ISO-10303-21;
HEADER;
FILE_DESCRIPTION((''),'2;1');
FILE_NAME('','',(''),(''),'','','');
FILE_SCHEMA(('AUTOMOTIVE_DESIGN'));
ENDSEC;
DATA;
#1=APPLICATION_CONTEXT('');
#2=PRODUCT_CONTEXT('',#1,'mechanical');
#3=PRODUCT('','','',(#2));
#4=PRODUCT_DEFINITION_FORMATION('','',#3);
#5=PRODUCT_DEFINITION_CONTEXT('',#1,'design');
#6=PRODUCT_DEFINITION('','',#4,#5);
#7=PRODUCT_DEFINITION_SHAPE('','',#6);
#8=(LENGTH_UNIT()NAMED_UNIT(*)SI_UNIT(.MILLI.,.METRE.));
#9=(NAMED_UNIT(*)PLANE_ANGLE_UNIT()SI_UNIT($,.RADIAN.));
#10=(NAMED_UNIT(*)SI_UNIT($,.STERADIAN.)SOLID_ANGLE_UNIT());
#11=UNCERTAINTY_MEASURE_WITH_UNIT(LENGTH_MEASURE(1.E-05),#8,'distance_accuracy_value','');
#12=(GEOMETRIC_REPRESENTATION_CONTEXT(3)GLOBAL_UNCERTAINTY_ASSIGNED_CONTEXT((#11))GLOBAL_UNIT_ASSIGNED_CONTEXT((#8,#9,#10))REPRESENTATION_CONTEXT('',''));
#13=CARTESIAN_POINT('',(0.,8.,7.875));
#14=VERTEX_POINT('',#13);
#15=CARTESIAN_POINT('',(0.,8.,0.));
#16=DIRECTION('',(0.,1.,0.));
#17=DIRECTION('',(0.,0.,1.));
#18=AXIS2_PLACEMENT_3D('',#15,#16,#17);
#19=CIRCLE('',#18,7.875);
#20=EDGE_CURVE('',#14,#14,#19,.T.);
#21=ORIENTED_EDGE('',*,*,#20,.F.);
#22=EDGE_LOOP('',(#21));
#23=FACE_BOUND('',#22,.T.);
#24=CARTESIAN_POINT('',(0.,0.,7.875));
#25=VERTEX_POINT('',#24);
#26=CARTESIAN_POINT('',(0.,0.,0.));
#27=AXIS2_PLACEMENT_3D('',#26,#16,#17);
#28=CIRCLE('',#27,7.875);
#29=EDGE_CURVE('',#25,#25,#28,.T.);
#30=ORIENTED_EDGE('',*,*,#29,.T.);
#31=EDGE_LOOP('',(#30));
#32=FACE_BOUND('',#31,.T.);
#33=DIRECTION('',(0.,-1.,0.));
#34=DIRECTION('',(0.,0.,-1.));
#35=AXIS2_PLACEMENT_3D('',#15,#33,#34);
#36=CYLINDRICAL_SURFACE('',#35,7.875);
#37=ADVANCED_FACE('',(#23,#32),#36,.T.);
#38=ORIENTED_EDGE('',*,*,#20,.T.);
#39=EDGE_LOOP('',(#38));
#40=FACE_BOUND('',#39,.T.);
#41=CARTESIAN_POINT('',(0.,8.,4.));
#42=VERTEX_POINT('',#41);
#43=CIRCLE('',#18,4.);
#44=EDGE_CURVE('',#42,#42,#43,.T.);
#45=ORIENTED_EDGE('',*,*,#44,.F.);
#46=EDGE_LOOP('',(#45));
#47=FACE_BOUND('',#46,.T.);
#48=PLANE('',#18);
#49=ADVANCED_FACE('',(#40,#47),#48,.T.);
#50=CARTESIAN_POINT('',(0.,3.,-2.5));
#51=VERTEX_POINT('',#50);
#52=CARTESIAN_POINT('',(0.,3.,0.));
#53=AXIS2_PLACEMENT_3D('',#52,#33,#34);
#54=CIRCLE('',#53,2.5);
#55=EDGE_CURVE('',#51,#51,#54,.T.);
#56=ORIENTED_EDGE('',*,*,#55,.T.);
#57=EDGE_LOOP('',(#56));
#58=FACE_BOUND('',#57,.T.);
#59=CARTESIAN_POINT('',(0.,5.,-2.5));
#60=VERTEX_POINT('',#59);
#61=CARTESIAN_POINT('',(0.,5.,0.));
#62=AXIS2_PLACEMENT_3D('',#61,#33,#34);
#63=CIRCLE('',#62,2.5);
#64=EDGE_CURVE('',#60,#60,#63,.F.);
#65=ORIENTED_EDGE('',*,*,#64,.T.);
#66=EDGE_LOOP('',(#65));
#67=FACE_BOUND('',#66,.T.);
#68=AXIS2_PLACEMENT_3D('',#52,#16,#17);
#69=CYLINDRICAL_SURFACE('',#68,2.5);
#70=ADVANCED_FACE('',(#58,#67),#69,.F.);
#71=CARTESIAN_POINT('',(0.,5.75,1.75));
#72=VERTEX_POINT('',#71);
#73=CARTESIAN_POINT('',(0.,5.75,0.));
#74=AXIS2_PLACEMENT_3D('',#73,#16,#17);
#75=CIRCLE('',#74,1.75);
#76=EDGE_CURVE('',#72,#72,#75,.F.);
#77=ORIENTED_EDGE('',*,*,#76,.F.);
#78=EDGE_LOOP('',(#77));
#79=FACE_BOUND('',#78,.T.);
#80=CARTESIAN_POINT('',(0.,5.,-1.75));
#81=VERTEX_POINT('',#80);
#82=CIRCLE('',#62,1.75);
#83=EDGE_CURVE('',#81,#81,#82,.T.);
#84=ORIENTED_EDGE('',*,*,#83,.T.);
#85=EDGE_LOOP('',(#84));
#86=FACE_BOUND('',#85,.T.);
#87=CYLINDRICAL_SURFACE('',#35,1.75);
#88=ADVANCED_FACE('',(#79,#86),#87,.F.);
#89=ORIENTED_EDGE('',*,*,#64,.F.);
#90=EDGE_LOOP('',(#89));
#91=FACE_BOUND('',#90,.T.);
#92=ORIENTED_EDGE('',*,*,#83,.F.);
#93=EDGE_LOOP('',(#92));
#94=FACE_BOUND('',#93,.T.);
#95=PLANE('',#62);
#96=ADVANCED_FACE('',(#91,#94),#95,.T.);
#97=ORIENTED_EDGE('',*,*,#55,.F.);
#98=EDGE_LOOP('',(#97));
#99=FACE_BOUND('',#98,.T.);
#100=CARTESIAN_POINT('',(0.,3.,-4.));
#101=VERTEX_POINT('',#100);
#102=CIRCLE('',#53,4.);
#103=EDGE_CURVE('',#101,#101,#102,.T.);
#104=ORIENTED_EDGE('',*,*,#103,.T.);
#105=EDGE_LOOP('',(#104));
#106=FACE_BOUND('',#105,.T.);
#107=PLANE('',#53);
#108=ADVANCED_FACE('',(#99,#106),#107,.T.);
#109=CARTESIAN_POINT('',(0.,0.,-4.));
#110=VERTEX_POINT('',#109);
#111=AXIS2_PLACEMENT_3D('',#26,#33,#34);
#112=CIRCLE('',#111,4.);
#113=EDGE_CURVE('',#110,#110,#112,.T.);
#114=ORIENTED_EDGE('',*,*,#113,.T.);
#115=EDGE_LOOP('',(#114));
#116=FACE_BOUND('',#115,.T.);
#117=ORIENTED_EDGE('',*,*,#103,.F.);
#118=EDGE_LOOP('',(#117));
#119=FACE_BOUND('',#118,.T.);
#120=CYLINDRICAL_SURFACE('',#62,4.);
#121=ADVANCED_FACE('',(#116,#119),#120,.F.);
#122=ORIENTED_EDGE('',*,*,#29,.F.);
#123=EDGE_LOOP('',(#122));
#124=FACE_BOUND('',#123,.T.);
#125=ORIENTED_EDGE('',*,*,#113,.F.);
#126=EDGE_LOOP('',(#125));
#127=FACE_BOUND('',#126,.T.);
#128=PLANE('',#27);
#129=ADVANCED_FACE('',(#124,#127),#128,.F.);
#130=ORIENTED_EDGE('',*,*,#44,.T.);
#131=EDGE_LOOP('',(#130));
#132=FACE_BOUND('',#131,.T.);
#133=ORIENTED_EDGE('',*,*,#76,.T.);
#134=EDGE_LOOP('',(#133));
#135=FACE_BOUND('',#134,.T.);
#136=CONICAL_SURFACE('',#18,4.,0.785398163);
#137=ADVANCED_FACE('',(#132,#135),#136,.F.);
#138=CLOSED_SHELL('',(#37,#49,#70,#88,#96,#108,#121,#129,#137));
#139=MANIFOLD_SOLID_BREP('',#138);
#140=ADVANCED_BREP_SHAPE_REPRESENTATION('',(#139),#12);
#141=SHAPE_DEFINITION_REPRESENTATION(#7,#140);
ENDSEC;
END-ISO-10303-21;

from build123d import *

# Parameters (mm, degrees)
SKETCH1_R           = 7.875
SKETCH1_R_2         = 1.75
BOSS_EXTRUDE1_DEPTH = 8
SKETCH2_R           = 4
CUT_EXTRUDE1_DEPTH  = 3
CUT_EXTRUDE1_DRAFT  = -45
SKETCH3_R           = 4
CUT_EXTRUDE2_DEPTH  = 5
BOSS_EXTRUDE2_START = 2
SKETCH4_R           = 4
SKETCH4_R_2         = 2.5
BOSS_EXTRUDE2_DEPTH = 2


with BuildPart() as part:
    # Sketch1 → Boss-Extrude1 (new body)
    with BuildSketch(Plane(origin=(0, 0, 0), x_dir=(1, 0, 0), z_dir=(0, 1, 0))):
        with Locations(Location((0, 0, 0), (0, 0, 270))):
            Circle(SKETCH1_R)
        with Locations(Location((0, 0, 0), (0, 0, 270))):
            Circle(SKETCH1_R_2, mode=Mode.SUBTRACT)
    extrude(amount=BOSS_EXTRUDE1_DEPTH)


with BuildPart() as cut_extrude1_tool:
    # Sketch2 → Cut-Extrude1 (with draft: the straight prism first)
    with BuildSketch(Plane(origin=(0, 8, 0), x_dir=(1, 0, 0), z_dir=(0, 1, 0))):
        Circle(SKETCH2_R)
    extrude(amount=-CUT_EXTRUDE1_DEPTH)
    # Cut-Extrude1: the draft: its side faces are tilted about the plane it starts from
    cut_extrude1_sides = [cut_extrude1_tool.faces().sort_by_distance(p)[0] for p in [
        (-4, 6.5, 0),
    ]]
    draft(cut_extrude1_sides, Plane(origin=(0, 8, 0), x_dir=(1, 0, 0), z_dir=(0, 1, 0)), CUT_EXTRUDE1_DRAFT)


with BuildPart() as part_1:
    add(part.part)

    # Cut-Extrude1: cut by cut_extrude1_tool
    add(cut_extrude1_tool.part, mode=Mode.SUBTRACT)

    # Sketch3 → Cut-Extrude2 (cut)
    with BuildSketch(Plane(origin=(0, 0, 0), x_dir=(-1, 0, 0), z_dir=(0, -1, 0))):
        with Locations(Location((0, 0, 0), (0, 0, 90))):
            Circle(SKETCH3_R)
    extrude(amount=-CUT_EXTRUDE2_DEPTH, mode=Mode.SUBTRACT)

    # Sketch4 → Boss-Extrude2 (add)
    with BuildSketch(Plane.XZ.offset(-5).offset(BOSS_EXTRUDE2_START)):
        with Locations(Location((0, 0, 0), (0, 0, 270))):
            Circle(SKETCH4_R)
        with Locations(Location((0, 0, 0), (0, 0, 270))):
            Circle(SKETCH4_R_2, mode=Mode.SUBTRACT)
    extrude(amount=-BOSS_EXTRUDE2_DEPTH)


solid = part_1.part
